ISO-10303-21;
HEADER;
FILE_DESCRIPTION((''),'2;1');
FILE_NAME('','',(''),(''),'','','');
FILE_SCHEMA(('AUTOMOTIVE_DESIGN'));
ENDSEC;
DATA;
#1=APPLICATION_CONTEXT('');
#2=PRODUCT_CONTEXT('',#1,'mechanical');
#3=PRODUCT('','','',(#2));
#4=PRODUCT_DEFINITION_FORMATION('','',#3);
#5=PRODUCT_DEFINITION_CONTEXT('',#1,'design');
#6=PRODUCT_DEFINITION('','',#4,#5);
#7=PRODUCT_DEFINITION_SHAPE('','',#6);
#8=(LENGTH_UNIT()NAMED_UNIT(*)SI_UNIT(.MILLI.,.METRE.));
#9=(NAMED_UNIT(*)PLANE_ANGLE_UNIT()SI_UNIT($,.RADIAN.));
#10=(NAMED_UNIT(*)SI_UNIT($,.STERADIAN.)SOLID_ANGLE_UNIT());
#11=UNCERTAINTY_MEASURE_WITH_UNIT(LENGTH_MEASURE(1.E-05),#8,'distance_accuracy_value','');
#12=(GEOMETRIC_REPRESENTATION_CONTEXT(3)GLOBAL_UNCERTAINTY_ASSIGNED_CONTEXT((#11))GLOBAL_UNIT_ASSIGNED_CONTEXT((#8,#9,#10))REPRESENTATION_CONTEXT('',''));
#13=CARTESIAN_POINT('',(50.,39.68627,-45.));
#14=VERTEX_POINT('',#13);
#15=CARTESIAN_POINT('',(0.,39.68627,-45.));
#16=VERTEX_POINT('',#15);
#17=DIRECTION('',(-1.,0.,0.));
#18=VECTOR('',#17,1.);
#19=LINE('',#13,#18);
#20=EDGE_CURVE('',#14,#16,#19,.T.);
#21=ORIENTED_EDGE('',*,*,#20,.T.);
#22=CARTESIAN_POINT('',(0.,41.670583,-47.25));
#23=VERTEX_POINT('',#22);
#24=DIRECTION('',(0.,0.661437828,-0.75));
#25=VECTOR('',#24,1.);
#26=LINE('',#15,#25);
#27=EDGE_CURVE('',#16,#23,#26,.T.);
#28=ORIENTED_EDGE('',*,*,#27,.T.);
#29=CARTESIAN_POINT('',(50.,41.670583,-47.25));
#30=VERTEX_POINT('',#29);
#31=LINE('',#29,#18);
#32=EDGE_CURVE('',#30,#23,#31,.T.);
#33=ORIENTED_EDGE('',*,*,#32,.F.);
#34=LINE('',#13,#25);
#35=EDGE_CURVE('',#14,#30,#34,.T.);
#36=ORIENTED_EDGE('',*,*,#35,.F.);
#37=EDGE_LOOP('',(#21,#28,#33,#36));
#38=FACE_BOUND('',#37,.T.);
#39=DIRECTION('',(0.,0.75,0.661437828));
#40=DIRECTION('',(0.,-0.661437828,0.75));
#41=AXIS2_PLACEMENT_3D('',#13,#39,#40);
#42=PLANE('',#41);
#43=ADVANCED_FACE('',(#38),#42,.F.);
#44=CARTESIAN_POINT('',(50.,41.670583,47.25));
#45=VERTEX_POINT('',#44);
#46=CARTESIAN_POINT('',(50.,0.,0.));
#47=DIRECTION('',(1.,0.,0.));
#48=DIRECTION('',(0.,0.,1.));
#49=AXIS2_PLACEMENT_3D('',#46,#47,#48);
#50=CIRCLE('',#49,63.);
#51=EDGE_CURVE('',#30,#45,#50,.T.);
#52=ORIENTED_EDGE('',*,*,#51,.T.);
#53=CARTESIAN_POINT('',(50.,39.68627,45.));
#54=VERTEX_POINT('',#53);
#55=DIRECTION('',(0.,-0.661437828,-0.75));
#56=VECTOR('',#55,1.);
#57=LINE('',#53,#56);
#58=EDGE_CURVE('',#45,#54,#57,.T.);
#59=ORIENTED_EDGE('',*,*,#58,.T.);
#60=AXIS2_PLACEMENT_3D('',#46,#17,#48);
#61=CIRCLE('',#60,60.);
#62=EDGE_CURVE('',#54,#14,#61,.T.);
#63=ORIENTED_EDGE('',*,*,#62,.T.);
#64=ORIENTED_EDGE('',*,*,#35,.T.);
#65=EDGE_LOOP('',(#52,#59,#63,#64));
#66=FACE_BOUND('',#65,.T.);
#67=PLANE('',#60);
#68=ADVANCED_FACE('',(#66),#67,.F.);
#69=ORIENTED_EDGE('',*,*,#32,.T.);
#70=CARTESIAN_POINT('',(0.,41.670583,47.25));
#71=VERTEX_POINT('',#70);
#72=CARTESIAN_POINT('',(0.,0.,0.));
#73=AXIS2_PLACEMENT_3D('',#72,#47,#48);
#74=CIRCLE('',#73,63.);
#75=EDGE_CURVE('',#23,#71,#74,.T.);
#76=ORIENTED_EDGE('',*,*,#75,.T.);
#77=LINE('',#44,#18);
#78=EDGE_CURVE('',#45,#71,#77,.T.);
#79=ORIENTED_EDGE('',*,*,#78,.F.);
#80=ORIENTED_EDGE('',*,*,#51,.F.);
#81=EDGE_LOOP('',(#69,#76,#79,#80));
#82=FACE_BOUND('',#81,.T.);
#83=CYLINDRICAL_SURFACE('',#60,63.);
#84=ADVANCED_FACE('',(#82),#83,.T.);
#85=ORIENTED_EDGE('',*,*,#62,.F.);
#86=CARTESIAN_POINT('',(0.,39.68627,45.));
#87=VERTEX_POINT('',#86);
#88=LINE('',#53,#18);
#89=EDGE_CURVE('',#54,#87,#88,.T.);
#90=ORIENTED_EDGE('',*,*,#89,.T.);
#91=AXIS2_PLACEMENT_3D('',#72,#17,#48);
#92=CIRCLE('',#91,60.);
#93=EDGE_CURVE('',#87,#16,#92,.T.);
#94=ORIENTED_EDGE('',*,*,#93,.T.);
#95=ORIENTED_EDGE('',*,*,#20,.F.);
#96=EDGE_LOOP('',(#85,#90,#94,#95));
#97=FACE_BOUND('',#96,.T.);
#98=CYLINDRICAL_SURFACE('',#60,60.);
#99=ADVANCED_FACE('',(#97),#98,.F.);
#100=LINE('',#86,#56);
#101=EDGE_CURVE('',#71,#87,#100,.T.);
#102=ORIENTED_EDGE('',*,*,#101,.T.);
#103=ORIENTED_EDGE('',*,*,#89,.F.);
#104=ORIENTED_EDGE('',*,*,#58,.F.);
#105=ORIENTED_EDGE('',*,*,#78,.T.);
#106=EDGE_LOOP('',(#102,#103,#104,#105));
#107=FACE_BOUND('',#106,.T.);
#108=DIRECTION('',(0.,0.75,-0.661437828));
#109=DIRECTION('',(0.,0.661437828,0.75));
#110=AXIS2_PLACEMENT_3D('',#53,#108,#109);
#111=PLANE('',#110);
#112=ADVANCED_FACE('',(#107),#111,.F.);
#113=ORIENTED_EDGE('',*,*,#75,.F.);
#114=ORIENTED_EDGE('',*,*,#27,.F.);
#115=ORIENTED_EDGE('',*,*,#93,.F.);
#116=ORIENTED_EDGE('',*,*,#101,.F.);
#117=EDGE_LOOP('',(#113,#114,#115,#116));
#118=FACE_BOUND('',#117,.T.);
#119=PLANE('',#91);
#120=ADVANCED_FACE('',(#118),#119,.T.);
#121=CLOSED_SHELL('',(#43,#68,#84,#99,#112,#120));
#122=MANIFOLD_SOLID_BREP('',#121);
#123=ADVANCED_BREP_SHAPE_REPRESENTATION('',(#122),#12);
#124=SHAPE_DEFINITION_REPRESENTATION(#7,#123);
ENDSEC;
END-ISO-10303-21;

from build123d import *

# Parameters (mm, degrees)
BOSS_EXTRUDE1_DEPTH = 50


with BuildPart() as part:
    # Sketch1 → Boss-Extrude1 (new body)
    with BuildSketch(Plane(origin=(0, 0, 0), x_dir=(0, 0, -1), z_dir=(1, 0, 0))):
        with BuildLine():
            Line((-45, 39.686269666), (-47.25, 41.670583149))
            ThreePointArc((-47.25, 41.670583149), (0, 63), (47.25, 41.670583149))
            Line((47.25, 41.670583149), (45, 39.686269666))
            ThreePointArc((45, 39.686269666), (0, 60), (-45, 39.686269666))
        make_face()
    extrude(amount=BOSS_EXTRUDE1_DEPTH)


solid = part.part
